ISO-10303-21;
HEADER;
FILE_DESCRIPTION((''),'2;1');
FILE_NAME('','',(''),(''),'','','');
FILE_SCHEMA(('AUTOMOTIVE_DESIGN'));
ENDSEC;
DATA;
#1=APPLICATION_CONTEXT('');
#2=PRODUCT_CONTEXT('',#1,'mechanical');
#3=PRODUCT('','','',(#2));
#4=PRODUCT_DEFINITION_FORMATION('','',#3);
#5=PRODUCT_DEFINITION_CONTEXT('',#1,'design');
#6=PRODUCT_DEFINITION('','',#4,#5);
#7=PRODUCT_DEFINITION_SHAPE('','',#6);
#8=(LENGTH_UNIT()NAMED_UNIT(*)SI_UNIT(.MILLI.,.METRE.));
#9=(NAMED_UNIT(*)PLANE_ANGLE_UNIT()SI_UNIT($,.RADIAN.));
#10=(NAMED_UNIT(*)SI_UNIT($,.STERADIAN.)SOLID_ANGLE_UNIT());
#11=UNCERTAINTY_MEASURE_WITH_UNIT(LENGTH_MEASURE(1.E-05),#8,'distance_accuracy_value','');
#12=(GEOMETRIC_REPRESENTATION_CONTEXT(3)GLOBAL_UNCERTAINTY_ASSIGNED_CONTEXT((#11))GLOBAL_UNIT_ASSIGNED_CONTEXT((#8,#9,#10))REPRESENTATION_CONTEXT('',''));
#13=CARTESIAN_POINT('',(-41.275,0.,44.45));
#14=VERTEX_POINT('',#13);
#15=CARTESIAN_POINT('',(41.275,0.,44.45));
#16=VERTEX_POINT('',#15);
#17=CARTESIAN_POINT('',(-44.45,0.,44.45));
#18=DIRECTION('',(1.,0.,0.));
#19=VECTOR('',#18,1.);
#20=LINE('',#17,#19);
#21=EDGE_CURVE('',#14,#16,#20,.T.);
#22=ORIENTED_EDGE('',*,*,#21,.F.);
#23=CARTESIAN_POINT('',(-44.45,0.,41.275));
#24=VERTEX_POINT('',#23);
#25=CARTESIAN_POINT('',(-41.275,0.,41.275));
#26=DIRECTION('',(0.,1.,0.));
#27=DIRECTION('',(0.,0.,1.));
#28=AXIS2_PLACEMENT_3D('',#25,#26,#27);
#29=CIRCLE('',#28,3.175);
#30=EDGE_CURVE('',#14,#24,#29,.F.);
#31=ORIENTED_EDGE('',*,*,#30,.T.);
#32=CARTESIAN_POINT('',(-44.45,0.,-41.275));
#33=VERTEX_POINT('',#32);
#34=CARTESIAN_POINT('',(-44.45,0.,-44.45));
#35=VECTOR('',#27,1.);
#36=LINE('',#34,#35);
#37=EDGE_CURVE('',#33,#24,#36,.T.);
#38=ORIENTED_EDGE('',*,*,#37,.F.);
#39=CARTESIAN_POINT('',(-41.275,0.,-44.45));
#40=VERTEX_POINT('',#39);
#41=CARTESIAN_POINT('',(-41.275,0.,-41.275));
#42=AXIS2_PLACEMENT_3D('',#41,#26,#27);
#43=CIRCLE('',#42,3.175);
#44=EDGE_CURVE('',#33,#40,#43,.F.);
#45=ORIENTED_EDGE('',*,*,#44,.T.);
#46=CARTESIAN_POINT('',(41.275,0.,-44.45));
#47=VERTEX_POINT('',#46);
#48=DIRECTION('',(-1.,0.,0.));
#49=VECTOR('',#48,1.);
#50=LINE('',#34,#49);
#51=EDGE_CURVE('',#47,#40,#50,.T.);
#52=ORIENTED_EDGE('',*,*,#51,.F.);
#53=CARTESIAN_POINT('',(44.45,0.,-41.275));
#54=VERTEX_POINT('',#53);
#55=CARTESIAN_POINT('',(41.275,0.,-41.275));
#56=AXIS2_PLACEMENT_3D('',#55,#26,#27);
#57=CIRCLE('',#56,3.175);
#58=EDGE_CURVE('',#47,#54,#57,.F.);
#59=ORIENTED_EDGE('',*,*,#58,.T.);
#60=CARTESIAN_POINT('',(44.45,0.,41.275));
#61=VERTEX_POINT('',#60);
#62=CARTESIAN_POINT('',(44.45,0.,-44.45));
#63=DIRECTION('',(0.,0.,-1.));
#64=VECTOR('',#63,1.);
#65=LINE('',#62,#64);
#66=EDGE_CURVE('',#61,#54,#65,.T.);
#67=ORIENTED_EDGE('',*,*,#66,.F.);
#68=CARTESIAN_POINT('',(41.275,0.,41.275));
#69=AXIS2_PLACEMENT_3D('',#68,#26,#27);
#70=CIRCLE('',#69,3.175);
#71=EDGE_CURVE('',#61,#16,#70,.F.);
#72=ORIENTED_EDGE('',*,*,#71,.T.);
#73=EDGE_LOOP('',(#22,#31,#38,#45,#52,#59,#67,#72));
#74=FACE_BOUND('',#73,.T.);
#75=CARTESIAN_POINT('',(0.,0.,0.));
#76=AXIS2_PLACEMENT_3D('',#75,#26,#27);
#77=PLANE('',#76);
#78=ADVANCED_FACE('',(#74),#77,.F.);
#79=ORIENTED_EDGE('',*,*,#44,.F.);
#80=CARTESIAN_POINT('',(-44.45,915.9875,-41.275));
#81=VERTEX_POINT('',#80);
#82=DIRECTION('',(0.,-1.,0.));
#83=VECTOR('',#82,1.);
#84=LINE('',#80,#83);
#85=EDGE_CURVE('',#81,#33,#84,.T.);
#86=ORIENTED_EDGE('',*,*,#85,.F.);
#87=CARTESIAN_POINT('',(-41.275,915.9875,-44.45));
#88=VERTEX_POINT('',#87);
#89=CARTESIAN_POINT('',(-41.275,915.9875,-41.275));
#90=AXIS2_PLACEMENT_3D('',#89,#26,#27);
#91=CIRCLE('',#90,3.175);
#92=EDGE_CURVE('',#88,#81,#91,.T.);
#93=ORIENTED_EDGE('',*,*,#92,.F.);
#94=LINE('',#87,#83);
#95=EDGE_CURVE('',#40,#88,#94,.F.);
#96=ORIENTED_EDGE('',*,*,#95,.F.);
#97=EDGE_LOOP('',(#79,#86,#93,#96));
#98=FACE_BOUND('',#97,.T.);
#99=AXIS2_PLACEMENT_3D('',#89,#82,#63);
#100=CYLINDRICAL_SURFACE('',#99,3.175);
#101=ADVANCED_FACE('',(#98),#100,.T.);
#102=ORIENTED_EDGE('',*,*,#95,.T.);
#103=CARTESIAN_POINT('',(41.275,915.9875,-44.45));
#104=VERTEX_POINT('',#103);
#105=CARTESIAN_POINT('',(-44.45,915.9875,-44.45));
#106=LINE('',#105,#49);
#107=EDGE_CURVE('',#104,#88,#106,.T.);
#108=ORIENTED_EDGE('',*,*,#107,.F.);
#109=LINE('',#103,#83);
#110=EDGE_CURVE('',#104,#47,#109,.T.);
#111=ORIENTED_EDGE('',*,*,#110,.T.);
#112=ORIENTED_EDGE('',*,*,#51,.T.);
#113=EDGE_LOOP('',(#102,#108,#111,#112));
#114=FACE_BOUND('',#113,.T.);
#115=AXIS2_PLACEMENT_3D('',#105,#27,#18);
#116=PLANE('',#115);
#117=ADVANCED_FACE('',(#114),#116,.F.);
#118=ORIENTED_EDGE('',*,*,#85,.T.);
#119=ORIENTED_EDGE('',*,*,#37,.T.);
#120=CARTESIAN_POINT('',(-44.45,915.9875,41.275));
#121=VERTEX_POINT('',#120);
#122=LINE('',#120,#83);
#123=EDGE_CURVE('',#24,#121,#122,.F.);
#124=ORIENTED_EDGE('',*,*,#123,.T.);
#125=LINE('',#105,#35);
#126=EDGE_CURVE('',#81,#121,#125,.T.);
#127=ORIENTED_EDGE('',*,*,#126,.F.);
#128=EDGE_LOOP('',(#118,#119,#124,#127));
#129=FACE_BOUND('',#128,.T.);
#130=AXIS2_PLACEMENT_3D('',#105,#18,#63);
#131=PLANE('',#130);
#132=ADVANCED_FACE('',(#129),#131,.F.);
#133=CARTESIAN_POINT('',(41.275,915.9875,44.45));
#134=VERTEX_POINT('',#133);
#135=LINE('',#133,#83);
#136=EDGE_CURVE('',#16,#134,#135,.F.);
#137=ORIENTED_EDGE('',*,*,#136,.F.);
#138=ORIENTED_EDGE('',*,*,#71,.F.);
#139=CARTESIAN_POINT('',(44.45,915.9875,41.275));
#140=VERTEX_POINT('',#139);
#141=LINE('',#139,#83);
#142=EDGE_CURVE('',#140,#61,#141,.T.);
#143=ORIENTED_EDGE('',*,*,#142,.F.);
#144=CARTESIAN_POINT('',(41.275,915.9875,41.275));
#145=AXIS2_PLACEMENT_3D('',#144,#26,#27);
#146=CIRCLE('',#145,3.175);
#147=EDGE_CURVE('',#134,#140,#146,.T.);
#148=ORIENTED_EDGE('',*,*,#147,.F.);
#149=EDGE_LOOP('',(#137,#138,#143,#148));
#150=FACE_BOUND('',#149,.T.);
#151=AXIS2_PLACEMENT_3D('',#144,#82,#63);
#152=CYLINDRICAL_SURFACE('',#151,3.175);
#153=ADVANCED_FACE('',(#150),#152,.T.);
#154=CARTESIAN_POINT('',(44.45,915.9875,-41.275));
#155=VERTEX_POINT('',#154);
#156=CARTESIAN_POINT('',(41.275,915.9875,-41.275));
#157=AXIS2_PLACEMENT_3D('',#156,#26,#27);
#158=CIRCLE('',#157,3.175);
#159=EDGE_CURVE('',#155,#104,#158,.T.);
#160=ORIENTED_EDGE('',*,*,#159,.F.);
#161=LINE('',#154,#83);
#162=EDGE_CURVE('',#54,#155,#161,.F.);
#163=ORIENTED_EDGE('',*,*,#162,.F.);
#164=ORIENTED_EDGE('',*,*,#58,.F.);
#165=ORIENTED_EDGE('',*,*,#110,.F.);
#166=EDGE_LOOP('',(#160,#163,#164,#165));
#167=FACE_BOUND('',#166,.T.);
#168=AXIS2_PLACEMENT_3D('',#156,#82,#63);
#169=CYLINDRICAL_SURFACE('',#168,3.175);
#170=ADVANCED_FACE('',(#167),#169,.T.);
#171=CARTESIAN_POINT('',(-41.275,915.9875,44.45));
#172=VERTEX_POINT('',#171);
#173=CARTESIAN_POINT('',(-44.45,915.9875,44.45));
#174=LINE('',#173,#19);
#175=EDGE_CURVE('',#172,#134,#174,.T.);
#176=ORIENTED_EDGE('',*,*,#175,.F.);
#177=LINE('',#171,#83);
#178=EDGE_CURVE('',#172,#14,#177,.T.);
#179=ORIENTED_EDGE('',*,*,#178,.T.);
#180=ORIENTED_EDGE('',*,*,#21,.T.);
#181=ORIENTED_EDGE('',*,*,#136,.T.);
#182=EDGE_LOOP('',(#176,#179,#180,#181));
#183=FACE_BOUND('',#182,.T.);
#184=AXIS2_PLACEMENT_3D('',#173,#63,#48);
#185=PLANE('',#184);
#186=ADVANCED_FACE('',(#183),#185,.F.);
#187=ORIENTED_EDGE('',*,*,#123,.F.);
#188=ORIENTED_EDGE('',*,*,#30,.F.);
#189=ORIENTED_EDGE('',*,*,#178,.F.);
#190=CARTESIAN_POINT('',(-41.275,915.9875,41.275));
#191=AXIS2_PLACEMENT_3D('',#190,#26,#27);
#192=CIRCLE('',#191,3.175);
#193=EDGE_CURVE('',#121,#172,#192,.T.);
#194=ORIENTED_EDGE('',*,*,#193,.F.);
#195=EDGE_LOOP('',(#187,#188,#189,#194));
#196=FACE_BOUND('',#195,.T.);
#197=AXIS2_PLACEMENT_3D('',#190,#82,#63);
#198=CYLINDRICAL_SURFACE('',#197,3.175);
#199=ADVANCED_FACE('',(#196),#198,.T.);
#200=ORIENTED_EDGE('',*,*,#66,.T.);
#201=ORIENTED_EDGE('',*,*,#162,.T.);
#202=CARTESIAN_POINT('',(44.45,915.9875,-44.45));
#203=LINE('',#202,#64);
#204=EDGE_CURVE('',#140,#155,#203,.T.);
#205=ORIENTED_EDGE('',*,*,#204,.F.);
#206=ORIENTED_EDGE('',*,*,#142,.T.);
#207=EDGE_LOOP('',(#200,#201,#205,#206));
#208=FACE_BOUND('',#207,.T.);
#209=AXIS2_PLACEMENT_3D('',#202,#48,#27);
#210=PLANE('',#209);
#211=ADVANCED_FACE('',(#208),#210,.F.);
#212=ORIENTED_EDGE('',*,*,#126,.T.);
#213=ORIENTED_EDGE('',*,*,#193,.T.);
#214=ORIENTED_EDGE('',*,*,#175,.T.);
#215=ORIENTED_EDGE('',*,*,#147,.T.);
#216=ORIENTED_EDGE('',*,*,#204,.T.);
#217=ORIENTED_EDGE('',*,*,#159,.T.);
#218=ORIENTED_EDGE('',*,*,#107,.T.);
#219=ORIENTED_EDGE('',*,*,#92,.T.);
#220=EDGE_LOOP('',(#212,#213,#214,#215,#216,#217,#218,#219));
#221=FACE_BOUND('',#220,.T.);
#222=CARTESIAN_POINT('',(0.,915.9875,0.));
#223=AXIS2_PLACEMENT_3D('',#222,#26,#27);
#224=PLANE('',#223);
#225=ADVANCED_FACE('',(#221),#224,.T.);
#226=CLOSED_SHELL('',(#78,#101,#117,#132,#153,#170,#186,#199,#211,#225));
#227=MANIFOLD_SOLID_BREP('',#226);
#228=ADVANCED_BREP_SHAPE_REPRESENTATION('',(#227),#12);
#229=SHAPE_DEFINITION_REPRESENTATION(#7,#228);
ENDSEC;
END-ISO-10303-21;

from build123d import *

# Parameters (mm, degrees)
SKETCH1_W           = 88.9
SKETCH1_H           = 88.9
BOSS_EXTRUDE1_DEPTH = 915.9875
FILLET1_R           = 3.175


with BuildPart() as part:
    # Sketch1 → Boss-Extrude1 (new body)
    with BuildSketch(Plane(origin=(0, 0, 0), x_dir=(1, 0, 0), z_dir=(0, 1, 0))):
        Rectangle(SKETCH1_W, SKETCH1_H)
    extrude(amount=BOSS_EXTRUDE1_DEPTH)

    # Fillet1
    fillet1_edges = [part.edges().sort_by_distance(p)[0] for p in [
        (44.45, 457.99375, 44.45),
        (-44.45, 457.99375, 44.45),
        (-44.45, 457.99375, -44.45),
        (44.45, 457.99375, -44.45),
    ]]
    fillet(fillet1_edges, radius=FILLET1_R)


solid = part.part
